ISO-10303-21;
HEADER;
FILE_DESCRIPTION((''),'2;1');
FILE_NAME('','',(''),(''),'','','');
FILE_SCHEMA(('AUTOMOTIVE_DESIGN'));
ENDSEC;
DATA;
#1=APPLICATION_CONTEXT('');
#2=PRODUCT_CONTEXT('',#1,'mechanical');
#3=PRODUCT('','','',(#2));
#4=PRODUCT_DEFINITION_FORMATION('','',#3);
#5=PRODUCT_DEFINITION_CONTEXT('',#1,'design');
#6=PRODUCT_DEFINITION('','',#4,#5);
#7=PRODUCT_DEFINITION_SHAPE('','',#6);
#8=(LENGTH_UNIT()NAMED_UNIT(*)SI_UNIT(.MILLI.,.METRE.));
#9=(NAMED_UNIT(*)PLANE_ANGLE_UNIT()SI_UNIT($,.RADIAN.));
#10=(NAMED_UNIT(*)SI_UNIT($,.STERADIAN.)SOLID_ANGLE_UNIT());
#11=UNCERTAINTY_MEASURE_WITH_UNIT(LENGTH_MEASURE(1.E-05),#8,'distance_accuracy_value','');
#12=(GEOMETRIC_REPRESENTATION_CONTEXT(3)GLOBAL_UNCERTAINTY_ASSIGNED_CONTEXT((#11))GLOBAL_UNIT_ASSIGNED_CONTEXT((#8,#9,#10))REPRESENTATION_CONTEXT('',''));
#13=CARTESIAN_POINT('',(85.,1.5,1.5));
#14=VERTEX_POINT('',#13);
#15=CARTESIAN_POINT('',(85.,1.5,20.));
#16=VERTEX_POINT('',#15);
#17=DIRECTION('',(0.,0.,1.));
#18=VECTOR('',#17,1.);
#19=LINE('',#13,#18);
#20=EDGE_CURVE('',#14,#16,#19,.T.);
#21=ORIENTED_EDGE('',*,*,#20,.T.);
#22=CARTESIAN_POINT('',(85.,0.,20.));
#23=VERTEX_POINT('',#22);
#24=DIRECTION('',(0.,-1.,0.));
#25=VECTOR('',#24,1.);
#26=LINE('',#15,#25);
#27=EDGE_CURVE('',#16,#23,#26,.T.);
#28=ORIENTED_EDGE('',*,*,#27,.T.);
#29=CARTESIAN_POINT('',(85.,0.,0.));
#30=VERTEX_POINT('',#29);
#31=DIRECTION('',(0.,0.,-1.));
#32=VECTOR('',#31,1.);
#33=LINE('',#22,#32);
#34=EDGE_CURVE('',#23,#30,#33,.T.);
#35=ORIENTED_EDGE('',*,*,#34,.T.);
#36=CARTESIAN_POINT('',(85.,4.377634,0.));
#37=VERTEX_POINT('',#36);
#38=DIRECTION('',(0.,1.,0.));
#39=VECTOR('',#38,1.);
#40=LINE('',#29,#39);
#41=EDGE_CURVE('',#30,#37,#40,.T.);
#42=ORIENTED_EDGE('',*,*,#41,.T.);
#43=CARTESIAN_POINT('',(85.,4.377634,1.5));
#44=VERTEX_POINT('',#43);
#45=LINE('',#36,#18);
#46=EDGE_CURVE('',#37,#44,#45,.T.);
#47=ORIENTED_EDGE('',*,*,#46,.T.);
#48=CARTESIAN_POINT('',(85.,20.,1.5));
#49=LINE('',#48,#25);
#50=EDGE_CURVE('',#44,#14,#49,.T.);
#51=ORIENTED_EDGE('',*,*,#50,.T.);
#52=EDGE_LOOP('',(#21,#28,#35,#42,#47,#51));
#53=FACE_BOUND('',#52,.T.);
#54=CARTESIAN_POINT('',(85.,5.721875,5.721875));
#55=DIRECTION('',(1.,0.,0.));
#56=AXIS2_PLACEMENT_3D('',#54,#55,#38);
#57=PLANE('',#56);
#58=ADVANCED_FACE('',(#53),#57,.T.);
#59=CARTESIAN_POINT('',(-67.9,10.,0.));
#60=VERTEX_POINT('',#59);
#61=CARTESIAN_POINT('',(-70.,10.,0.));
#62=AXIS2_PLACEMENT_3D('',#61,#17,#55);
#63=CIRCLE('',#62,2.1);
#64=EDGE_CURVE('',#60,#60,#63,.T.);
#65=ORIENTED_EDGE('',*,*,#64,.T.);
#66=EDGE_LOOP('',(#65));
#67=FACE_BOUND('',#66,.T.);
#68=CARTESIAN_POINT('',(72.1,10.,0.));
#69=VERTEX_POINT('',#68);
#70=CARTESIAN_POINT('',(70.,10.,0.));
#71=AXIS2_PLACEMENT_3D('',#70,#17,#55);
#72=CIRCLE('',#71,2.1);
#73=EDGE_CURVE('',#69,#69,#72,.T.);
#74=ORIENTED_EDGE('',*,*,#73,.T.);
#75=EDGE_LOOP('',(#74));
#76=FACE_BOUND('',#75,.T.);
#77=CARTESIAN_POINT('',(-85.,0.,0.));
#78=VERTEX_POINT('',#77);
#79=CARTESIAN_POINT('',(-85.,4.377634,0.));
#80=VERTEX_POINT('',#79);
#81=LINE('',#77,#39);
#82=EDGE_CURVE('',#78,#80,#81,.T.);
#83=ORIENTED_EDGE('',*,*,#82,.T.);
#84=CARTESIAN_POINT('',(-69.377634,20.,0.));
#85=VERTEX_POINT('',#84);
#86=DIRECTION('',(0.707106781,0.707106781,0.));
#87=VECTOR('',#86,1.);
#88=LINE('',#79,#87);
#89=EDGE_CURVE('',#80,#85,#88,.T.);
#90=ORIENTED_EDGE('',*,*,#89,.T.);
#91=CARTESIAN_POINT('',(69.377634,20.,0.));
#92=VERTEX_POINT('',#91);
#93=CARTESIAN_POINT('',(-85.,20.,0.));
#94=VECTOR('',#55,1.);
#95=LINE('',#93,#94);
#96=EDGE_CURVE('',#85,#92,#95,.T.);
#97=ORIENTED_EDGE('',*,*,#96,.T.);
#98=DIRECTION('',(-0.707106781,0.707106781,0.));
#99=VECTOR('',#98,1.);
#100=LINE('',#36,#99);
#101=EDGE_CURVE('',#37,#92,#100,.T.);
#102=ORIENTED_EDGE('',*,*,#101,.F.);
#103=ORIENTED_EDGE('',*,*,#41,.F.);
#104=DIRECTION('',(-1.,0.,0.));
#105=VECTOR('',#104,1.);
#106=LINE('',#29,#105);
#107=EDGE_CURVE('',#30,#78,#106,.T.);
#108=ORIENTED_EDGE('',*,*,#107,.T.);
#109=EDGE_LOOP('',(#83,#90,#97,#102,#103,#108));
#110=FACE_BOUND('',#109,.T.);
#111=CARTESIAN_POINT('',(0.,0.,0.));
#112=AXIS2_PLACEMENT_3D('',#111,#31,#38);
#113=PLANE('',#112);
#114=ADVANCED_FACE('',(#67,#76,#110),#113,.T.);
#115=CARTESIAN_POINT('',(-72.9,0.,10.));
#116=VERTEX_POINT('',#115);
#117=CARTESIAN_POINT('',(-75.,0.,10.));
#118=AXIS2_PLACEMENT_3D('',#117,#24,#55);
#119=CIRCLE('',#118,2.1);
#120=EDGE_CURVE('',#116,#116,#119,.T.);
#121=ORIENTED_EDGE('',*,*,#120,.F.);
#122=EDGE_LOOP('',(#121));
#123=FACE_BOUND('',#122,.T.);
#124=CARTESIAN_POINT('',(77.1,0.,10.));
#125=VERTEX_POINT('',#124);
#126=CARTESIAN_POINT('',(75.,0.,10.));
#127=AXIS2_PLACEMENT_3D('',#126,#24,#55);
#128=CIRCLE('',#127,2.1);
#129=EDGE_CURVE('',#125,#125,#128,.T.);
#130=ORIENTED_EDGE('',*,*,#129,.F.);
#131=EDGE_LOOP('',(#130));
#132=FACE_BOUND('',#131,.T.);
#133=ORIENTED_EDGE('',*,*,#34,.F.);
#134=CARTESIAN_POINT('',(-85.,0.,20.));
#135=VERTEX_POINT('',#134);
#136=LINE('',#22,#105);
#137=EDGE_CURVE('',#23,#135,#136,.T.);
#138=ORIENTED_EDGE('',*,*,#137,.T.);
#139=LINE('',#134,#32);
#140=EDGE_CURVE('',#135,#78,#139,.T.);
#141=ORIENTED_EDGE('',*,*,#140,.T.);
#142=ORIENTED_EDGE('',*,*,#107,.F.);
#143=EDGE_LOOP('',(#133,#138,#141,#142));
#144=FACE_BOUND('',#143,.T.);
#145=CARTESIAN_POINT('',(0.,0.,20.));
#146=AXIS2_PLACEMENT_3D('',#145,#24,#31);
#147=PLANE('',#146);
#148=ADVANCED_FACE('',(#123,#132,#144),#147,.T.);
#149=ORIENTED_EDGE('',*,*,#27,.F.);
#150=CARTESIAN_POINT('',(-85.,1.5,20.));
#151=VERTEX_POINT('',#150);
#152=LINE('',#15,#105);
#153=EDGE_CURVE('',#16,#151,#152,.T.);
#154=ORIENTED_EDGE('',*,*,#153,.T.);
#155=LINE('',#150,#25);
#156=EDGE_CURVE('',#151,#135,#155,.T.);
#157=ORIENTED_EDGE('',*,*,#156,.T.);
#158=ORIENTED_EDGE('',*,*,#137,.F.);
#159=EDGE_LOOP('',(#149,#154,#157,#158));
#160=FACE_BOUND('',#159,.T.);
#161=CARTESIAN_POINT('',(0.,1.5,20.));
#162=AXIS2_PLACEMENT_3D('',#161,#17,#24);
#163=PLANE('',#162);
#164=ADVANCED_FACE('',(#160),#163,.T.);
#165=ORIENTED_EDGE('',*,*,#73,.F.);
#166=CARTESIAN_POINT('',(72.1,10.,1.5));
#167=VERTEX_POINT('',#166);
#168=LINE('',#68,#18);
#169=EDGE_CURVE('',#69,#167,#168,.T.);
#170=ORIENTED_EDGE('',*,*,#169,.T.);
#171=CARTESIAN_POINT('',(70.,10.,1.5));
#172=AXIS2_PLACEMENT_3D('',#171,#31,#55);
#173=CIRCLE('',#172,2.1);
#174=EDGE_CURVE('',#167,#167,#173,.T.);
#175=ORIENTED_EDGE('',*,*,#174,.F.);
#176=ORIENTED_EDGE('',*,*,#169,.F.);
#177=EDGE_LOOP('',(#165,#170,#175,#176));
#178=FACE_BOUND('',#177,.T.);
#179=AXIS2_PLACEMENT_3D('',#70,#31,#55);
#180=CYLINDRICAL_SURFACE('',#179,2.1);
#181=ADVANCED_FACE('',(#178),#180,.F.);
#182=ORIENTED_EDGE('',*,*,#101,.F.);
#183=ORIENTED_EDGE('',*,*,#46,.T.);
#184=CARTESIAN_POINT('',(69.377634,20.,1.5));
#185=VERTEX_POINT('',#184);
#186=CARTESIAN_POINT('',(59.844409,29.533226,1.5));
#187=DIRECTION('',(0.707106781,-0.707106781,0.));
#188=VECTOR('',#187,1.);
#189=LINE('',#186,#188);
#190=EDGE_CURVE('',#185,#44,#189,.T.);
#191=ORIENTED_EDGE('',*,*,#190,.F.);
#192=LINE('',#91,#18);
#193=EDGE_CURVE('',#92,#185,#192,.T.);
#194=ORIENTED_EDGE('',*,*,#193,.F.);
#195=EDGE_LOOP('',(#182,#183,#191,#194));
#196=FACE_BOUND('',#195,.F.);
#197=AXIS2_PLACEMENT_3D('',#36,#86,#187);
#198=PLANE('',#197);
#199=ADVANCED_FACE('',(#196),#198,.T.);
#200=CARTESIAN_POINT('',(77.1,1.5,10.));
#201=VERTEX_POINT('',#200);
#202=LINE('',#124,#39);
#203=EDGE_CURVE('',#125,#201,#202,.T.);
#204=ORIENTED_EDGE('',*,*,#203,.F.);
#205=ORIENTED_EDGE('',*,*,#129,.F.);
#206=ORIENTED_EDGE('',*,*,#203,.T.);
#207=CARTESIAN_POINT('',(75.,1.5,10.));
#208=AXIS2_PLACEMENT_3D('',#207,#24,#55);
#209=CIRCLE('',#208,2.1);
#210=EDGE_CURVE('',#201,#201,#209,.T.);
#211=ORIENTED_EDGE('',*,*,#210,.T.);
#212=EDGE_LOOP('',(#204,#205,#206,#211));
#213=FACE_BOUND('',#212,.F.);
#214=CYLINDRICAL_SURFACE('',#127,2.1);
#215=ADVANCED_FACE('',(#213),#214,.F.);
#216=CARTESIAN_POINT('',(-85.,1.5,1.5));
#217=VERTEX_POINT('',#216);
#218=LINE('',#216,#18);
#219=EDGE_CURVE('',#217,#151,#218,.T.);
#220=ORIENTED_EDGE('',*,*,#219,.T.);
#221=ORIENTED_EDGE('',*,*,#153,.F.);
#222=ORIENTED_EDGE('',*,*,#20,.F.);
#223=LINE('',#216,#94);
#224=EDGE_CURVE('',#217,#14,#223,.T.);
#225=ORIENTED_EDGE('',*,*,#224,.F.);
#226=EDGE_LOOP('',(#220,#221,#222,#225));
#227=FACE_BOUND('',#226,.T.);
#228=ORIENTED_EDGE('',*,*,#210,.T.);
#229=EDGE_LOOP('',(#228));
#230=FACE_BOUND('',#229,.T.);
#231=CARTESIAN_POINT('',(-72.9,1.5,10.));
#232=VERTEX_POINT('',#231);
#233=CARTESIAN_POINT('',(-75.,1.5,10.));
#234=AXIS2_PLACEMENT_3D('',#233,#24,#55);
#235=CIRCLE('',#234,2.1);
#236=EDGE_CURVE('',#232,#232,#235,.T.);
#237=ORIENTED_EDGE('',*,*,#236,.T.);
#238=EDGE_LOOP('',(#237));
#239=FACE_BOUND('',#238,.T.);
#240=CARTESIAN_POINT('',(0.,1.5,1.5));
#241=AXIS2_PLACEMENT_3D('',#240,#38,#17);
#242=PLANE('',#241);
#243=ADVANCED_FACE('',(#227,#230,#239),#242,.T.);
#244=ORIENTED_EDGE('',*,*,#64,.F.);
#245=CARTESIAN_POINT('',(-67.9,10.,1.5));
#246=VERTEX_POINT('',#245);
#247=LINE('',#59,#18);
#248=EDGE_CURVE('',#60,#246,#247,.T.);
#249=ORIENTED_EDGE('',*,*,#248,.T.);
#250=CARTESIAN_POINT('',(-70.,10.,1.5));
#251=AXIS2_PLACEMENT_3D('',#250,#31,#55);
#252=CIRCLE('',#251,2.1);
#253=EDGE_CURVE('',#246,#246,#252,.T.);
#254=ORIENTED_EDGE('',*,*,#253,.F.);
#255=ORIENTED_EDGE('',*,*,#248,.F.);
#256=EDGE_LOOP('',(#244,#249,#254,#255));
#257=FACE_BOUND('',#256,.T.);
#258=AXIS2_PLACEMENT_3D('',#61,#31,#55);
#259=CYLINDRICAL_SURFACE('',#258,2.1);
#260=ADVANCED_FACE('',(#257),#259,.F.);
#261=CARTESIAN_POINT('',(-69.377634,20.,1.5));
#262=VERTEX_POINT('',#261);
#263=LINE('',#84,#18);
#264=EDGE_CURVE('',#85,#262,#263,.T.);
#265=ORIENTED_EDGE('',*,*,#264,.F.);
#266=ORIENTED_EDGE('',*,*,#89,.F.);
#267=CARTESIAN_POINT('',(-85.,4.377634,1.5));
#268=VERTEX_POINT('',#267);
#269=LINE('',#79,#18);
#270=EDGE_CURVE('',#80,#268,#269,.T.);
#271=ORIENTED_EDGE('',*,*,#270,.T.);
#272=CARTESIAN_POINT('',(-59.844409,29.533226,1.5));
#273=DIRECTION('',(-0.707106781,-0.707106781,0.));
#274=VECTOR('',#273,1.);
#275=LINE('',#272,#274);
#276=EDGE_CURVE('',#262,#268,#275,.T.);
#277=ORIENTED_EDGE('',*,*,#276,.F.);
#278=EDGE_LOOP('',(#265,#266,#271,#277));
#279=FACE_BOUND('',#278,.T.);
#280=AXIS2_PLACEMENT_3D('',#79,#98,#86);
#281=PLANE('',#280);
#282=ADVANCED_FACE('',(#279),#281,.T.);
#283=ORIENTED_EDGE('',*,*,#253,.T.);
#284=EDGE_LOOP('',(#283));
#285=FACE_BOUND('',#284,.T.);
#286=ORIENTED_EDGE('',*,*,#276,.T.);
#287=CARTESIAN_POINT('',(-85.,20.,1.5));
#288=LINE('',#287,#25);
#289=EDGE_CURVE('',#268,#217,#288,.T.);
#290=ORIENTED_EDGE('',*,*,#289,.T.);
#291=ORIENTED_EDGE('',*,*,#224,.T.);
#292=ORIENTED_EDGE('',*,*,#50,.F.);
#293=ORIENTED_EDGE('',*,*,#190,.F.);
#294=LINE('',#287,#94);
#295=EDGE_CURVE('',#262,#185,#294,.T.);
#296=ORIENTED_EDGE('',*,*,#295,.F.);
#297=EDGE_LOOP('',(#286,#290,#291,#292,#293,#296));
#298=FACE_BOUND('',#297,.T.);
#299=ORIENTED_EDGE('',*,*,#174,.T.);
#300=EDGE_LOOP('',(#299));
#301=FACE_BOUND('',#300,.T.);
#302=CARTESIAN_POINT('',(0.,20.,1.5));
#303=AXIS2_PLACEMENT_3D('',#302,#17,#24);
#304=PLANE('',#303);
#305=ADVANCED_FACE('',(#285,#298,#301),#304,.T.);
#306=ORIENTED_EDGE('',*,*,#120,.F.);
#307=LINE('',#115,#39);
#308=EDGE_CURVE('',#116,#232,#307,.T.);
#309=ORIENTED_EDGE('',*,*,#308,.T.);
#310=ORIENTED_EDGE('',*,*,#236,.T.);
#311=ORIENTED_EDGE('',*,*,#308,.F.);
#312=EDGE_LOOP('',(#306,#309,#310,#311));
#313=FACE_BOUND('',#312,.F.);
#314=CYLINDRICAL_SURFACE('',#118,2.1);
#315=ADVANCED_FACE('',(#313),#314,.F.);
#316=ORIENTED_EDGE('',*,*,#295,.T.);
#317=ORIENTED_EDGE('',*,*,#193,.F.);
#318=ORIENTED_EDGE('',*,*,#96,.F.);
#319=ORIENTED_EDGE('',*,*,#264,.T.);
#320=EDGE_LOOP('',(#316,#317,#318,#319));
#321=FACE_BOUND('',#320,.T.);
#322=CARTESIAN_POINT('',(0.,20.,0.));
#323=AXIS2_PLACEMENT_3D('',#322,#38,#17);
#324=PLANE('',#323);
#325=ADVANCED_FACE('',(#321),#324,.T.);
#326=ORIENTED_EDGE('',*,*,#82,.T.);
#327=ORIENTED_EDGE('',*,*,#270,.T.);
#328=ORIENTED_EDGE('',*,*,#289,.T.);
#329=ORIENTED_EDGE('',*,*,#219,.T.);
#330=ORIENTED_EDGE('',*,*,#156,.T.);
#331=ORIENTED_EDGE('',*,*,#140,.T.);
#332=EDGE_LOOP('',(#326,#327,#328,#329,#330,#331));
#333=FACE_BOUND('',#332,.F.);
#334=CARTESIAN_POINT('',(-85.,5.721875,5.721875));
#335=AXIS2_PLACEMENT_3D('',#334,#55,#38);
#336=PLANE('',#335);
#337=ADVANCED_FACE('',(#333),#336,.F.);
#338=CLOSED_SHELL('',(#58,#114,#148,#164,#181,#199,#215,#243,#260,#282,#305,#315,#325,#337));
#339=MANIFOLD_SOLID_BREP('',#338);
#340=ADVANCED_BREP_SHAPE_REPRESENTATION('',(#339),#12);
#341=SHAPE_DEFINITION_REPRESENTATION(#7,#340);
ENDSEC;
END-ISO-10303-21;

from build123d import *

# Parameters (mm, degrees)
PAD_DEPTH     = 85
SKETCH002_R   = 2.1
HOLE_DEPTH    = 20.001
SKETCH003_R   = 2.1
HOLE001_DEPTH = 20.001
POCKET_DEPTH  = 364.674759


with BuildPart() as part:
    # Sketch → Pad (new body, symmetric)
    with BuildSketch(Plane.YZ):
        Polygon((0, 0), (20, 0), (20, 1.5), (1.5, 1.5), (1.5, 20), (0, 20), align=None)
    extrude(amount=PAD_DEPTH, both=True)

    # Sketch002 → Hole (cut, through all)
    with BuildSketch(Plane.XZ):
        with Locations((-75, 10)):
            Circle(SKETCH002_R)
        with Locations((75, 10)):
            Circle(SKETCH002_R)
    extrude(amount=-HOLE_DEPTH, mode=Mode.SUBTRACT)

    # Sketch003 → Hole001 (cut, through all)
    with BuildSketch(Plane.XY):
        with Locations((-70, 10)):
            Circle(SKETCH003_R)
        with Locations((70, 10)):
            Circle(SKETCH003_R)
    extrude(amount=HOLE001_DEPTH, mode=Mode.SUBTRACT)

    # Sketch004 → Pocket (cut, through all)
    with BuildSketch(Plane.XY):
        Polygon((-85, 4.377634), (-49.377634, 40), (-85, 40), align=None)
    pocket = extrude(amount=POCKET_DEPTH, mode=Mode.SUBTRACT)

    # Mirrored: Pocket across YZ
    add(pocket.mirror(Plane.YZ), mode=Mode.SUBTRACT)


solid = part.part
